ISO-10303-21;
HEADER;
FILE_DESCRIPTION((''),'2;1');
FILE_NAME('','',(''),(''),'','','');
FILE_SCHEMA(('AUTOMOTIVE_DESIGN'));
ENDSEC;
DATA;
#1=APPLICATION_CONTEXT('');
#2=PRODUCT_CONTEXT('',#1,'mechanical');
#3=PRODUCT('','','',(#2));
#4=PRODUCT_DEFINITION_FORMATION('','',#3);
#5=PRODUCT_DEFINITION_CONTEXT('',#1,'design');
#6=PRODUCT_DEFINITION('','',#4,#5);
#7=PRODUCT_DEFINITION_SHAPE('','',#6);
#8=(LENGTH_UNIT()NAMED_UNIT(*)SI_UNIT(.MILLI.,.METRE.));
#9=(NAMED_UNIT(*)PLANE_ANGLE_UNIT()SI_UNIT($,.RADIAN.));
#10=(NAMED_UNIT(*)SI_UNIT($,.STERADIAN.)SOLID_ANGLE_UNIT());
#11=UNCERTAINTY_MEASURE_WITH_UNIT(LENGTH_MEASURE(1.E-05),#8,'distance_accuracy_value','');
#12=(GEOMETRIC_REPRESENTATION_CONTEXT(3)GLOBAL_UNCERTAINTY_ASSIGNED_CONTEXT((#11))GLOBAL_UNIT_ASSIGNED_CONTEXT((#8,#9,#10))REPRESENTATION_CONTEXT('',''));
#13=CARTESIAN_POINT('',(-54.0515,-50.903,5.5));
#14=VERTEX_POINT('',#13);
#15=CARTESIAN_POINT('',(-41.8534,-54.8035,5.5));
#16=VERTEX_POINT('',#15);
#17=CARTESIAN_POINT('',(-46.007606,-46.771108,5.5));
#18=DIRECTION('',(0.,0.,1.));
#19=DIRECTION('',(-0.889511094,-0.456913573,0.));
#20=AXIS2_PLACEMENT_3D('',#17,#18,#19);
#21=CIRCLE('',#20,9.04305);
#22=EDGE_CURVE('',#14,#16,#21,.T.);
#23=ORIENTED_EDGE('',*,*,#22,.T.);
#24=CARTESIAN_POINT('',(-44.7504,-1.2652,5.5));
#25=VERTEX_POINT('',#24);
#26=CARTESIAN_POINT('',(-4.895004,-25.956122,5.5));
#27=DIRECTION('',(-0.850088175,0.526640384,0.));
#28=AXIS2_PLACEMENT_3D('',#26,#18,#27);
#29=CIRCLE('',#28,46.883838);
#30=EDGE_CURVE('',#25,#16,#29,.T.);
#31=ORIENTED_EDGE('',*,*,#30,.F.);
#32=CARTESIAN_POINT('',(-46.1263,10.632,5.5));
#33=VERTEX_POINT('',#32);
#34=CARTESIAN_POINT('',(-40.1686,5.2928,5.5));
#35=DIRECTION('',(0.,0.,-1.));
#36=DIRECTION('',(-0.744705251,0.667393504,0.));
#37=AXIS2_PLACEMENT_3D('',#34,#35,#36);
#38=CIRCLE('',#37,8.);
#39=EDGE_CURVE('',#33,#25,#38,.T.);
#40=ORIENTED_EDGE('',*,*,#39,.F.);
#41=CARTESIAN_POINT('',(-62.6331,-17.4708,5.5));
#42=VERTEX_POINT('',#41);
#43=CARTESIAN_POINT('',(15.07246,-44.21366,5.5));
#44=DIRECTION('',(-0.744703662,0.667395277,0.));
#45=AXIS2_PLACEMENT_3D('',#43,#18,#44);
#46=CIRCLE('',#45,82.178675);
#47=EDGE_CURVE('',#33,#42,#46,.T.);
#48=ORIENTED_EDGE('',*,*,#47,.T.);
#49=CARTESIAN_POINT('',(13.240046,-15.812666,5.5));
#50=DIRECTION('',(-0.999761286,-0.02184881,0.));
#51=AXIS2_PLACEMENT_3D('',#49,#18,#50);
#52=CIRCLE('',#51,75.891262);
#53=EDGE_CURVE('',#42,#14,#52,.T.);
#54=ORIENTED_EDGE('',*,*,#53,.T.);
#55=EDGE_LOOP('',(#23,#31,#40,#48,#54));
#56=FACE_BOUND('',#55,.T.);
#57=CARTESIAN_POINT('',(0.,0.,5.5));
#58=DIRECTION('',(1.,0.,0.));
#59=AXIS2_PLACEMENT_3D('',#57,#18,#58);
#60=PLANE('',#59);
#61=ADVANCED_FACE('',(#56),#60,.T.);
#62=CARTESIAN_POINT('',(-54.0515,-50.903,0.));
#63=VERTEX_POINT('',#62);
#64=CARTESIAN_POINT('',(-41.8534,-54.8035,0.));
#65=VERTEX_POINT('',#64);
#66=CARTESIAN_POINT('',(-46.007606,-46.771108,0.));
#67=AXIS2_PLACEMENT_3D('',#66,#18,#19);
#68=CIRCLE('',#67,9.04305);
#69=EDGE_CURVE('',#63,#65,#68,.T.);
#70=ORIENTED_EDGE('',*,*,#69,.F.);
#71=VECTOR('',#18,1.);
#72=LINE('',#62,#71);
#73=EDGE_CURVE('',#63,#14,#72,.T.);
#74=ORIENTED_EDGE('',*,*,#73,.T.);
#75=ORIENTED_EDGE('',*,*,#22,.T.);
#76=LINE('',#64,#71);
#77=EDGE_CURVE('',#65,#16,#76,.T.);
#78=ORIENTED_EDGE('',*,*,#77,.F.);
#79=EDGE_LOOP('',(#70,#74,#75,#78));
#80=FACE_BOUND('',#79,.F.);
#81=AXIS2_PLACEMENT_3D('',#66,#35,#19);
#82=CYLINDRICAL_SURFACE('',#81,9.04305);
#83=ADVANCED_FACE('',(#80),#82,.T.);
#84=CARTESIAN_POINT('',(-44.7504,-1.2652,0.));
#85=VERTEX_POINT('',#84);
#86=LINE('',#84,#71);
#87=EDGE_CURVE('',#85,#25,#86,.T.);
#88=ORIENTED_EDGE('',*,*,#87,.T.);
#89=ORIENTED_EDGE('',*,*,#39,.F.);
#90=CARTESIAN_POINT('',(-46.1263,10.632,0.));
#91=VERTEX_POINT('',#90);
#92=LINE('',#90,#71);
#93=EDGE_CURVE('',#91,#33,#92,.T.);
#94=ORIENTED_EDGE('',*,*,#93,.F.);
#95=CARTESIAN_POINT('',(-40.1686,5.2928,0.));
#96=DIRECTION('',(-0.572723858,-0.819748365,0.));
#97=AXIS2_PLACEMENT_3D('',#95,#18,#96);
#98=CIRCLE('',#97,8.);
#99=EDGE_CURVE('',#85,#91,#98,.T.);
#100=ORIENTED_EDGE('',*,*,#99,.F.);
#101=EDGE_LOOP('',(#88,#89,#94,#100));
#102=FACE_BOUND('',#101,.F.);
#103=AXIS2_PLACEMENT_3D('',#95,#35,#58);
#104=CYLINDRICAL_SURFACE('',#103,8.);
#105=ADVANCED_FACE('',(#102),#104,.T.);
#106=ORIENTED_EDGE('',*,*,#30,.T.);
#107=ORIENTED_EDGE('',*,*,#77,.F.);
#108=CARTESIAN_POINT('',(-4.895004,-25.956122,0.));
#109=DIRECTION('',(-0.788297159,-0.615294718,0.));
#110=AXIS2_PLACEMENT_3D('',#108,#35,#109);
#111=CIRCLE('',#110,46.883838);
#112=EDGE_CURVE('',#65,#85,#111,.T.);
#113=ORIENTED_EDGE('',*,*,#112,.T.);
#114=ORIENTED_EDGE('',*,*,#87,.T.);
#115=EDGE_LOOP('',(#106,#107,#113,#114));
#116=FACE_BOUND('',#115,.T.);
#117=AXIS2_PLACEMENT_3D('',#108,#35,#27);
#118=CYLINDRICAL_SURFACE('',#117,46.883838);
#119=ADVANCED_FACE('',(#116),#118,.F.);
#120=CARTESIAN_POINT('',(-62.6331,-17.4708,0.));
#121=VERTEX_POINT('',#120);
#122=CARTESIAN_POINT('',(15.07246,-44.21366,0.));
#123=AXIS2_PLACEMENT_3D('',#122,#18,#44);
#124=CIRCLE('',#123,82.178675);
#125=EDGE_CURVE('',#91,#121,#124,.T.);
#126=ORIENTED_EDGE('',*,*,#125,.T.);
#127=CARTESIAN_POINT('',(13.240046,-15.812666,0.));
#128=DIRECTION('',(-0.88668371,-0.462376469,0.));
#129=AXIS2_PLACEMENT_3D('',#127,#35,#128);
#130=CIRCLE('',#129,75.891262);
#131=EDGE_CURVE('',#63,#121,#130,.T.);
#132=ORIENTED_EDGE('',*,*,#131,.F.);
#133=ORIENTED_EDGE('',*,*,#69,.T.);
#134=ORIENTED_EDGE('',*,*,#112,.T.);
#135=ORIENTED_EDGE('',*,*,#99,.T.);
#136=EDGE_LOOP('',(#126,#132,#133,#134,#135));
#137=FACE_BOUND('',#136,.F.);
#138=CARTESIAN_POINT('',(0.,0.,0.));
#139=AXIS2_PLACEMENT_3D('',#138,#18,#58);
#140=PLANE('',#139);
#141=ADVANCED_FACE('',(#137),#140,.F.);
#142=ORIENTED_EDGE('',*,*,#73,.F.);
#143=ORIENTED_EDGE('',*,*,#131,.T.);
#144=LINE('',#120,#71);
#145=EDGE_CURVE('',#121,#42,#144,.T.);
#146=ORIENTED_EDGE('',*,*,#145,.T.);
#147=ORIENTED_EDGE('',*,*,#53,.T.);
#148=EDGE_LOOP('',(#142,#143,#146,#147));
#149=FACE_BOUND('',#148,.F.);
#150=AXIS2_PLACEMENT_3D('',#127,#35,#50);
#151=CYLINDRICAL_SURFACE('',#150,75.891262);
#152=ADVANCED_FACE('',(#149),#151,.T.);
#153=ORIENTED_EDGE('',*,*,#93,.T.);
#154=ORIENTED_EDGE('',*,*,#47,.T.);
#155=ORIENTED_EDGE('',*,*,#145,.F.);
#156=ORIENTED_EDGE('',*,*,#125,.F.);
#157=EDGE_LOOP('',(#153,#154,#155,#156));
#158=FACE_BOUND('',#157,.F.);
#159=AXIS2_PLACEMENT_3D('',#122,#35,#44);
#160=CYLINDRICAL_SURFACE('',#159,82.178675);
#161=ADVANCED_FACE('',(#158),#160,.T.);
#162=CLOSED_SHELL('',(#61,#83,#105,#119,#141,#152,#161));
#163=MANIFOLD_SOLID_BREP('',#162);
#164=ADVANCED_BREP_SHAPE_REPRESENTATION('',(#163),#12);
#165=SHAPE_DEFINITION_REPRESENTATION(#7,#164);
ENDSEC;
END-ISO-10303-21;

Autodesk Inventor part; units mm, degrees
ref_plane "YZ Plane" through (0, 0, 0) normal (1, 0, 0) x (0, 1, 0)
ref_plane "XZ Plane" through (0, 0, 0) normal (0, 1, 0) x (-1, 0, 0)
ref_plane "XY Plane" through (0, 0, 0) normal (0, 0, 1) x (1, 0, 0)
sketch "Sketch1" plane through (0, 0, 0) normal (0, 0, 1) x (1, 0, 0)
  arc A0 (-46.1263, 10.632) -> (-62.6331, -17.4708) centre (15.0732, -44.2142) ccw projected
  arc A1 (-62.6331, -17.4708) -> (-54.2395, -22.9066) centre (-57.7619, -19.1473) ccw projected
  arc A2 (-33.338, 11.3144) -> (-54.2395, -22.9066) centre (22.5624, -46.3221) ccw projected
  arc A3 (-33.338, 11.3144) -> (-46.1263, 10.632) centre (-39.3918, 4.5967) ccw construction
  arc A4 (-62.8989, -19.5348) -> (-54.0515, -50.903) centre (19.0478, -13.3535) ccw projected
  arc A5 (-54.0515, -50.903) -> (-41.8534, -54.8035) centre (-46.0076, -46.7711) ccw projected
  arc A6 (-53.4019, -16.4032) -> (-41.8534, -54.8035) centre (26.8267, -13.212) ccw projected
  arc A7 (-53.4019, -16.4032) -> (-62.8989, -19.5348) centre (-57.7619, -19.1473) ccw projected
  arc A8 (-29.559, -59.3436) -> (2.6139, -54.1332) centre (-26.3493, 22.7733) ccw projected
  arc A9 (2.6139, -54.1332) -> (1.4472, -44.2015) centre (0.7983, -49.3121) ccw projected
  arc A10 (-38.241, -49.9292) -> (1.4472, -44.2015) centre (-29.5023, 29.8859) ccw projected
  arc A11 (-38.241, -49.9292) -> (-29.559, -59.3436) centre (-29.2058, -50.3074) ccw projected
  arc A12 (4.4376, -52.9584) -> (22.4821, -25.8173) centre (-53.6163, 5.2072) ccw projected
  arc A13 (22.4821, -25.8173) -> (17.499, -14.02) centre (14.1082, -22.4033) ccw projected
  arc A14 (-4.1234, -47.7902) -> (17.499, -14.02) centre (-58.7892, 11.0185) ccw projected
  arc A15 (-4.1234, -47.7902) -> (4.4376, -52.9584) centre (0.7983, -49.3121) ccw projected
  arc A16 (-44.7504, -1.2652) -> (-41.8534, -54.8035) centre (-4.8947, -25.9562) ccw
  arc A17 (-46.1263, 10.632) -> (-62.6331, -17.4708) centre (15.0732, -44.2142) ccw
  arc A18 (-62.6331, -17.4708) -> (-54.0515, -50.903) centre (13.2398, -15.8127) ccw
  arc A19 (-54.0515, -50.903) -> (-41.8534, -54.8035) centre (-46.0076, -46.7711) ccw
  circle A20 centre (-40.1686, 5.2928) radius 8
  arc A21 (-44.7504, -1.2652) -> (-41.8534, -54.8035) centre (-4.8947, -25.9562) ccw
  arc A22 (-46.1263, 10.632) -> (-44.7504, -1.2652) centre (-40.1686, 5.2928) ccw
  point P0 (0, 0)
  dimension "d4" = 16
extrude "Extrusion3" add sketch "Sketch1" along normal blind 5.5 contours A20 A16 A2 A6 A7 A0 | A20 A2 | A7 A6 A2 A1 A18 | A20 A2 | A1 A2 A6 A16 A5 A4 A18 | A16 A6 A2 | A4 A18
properties part number "BHENCHOD FINGER"
